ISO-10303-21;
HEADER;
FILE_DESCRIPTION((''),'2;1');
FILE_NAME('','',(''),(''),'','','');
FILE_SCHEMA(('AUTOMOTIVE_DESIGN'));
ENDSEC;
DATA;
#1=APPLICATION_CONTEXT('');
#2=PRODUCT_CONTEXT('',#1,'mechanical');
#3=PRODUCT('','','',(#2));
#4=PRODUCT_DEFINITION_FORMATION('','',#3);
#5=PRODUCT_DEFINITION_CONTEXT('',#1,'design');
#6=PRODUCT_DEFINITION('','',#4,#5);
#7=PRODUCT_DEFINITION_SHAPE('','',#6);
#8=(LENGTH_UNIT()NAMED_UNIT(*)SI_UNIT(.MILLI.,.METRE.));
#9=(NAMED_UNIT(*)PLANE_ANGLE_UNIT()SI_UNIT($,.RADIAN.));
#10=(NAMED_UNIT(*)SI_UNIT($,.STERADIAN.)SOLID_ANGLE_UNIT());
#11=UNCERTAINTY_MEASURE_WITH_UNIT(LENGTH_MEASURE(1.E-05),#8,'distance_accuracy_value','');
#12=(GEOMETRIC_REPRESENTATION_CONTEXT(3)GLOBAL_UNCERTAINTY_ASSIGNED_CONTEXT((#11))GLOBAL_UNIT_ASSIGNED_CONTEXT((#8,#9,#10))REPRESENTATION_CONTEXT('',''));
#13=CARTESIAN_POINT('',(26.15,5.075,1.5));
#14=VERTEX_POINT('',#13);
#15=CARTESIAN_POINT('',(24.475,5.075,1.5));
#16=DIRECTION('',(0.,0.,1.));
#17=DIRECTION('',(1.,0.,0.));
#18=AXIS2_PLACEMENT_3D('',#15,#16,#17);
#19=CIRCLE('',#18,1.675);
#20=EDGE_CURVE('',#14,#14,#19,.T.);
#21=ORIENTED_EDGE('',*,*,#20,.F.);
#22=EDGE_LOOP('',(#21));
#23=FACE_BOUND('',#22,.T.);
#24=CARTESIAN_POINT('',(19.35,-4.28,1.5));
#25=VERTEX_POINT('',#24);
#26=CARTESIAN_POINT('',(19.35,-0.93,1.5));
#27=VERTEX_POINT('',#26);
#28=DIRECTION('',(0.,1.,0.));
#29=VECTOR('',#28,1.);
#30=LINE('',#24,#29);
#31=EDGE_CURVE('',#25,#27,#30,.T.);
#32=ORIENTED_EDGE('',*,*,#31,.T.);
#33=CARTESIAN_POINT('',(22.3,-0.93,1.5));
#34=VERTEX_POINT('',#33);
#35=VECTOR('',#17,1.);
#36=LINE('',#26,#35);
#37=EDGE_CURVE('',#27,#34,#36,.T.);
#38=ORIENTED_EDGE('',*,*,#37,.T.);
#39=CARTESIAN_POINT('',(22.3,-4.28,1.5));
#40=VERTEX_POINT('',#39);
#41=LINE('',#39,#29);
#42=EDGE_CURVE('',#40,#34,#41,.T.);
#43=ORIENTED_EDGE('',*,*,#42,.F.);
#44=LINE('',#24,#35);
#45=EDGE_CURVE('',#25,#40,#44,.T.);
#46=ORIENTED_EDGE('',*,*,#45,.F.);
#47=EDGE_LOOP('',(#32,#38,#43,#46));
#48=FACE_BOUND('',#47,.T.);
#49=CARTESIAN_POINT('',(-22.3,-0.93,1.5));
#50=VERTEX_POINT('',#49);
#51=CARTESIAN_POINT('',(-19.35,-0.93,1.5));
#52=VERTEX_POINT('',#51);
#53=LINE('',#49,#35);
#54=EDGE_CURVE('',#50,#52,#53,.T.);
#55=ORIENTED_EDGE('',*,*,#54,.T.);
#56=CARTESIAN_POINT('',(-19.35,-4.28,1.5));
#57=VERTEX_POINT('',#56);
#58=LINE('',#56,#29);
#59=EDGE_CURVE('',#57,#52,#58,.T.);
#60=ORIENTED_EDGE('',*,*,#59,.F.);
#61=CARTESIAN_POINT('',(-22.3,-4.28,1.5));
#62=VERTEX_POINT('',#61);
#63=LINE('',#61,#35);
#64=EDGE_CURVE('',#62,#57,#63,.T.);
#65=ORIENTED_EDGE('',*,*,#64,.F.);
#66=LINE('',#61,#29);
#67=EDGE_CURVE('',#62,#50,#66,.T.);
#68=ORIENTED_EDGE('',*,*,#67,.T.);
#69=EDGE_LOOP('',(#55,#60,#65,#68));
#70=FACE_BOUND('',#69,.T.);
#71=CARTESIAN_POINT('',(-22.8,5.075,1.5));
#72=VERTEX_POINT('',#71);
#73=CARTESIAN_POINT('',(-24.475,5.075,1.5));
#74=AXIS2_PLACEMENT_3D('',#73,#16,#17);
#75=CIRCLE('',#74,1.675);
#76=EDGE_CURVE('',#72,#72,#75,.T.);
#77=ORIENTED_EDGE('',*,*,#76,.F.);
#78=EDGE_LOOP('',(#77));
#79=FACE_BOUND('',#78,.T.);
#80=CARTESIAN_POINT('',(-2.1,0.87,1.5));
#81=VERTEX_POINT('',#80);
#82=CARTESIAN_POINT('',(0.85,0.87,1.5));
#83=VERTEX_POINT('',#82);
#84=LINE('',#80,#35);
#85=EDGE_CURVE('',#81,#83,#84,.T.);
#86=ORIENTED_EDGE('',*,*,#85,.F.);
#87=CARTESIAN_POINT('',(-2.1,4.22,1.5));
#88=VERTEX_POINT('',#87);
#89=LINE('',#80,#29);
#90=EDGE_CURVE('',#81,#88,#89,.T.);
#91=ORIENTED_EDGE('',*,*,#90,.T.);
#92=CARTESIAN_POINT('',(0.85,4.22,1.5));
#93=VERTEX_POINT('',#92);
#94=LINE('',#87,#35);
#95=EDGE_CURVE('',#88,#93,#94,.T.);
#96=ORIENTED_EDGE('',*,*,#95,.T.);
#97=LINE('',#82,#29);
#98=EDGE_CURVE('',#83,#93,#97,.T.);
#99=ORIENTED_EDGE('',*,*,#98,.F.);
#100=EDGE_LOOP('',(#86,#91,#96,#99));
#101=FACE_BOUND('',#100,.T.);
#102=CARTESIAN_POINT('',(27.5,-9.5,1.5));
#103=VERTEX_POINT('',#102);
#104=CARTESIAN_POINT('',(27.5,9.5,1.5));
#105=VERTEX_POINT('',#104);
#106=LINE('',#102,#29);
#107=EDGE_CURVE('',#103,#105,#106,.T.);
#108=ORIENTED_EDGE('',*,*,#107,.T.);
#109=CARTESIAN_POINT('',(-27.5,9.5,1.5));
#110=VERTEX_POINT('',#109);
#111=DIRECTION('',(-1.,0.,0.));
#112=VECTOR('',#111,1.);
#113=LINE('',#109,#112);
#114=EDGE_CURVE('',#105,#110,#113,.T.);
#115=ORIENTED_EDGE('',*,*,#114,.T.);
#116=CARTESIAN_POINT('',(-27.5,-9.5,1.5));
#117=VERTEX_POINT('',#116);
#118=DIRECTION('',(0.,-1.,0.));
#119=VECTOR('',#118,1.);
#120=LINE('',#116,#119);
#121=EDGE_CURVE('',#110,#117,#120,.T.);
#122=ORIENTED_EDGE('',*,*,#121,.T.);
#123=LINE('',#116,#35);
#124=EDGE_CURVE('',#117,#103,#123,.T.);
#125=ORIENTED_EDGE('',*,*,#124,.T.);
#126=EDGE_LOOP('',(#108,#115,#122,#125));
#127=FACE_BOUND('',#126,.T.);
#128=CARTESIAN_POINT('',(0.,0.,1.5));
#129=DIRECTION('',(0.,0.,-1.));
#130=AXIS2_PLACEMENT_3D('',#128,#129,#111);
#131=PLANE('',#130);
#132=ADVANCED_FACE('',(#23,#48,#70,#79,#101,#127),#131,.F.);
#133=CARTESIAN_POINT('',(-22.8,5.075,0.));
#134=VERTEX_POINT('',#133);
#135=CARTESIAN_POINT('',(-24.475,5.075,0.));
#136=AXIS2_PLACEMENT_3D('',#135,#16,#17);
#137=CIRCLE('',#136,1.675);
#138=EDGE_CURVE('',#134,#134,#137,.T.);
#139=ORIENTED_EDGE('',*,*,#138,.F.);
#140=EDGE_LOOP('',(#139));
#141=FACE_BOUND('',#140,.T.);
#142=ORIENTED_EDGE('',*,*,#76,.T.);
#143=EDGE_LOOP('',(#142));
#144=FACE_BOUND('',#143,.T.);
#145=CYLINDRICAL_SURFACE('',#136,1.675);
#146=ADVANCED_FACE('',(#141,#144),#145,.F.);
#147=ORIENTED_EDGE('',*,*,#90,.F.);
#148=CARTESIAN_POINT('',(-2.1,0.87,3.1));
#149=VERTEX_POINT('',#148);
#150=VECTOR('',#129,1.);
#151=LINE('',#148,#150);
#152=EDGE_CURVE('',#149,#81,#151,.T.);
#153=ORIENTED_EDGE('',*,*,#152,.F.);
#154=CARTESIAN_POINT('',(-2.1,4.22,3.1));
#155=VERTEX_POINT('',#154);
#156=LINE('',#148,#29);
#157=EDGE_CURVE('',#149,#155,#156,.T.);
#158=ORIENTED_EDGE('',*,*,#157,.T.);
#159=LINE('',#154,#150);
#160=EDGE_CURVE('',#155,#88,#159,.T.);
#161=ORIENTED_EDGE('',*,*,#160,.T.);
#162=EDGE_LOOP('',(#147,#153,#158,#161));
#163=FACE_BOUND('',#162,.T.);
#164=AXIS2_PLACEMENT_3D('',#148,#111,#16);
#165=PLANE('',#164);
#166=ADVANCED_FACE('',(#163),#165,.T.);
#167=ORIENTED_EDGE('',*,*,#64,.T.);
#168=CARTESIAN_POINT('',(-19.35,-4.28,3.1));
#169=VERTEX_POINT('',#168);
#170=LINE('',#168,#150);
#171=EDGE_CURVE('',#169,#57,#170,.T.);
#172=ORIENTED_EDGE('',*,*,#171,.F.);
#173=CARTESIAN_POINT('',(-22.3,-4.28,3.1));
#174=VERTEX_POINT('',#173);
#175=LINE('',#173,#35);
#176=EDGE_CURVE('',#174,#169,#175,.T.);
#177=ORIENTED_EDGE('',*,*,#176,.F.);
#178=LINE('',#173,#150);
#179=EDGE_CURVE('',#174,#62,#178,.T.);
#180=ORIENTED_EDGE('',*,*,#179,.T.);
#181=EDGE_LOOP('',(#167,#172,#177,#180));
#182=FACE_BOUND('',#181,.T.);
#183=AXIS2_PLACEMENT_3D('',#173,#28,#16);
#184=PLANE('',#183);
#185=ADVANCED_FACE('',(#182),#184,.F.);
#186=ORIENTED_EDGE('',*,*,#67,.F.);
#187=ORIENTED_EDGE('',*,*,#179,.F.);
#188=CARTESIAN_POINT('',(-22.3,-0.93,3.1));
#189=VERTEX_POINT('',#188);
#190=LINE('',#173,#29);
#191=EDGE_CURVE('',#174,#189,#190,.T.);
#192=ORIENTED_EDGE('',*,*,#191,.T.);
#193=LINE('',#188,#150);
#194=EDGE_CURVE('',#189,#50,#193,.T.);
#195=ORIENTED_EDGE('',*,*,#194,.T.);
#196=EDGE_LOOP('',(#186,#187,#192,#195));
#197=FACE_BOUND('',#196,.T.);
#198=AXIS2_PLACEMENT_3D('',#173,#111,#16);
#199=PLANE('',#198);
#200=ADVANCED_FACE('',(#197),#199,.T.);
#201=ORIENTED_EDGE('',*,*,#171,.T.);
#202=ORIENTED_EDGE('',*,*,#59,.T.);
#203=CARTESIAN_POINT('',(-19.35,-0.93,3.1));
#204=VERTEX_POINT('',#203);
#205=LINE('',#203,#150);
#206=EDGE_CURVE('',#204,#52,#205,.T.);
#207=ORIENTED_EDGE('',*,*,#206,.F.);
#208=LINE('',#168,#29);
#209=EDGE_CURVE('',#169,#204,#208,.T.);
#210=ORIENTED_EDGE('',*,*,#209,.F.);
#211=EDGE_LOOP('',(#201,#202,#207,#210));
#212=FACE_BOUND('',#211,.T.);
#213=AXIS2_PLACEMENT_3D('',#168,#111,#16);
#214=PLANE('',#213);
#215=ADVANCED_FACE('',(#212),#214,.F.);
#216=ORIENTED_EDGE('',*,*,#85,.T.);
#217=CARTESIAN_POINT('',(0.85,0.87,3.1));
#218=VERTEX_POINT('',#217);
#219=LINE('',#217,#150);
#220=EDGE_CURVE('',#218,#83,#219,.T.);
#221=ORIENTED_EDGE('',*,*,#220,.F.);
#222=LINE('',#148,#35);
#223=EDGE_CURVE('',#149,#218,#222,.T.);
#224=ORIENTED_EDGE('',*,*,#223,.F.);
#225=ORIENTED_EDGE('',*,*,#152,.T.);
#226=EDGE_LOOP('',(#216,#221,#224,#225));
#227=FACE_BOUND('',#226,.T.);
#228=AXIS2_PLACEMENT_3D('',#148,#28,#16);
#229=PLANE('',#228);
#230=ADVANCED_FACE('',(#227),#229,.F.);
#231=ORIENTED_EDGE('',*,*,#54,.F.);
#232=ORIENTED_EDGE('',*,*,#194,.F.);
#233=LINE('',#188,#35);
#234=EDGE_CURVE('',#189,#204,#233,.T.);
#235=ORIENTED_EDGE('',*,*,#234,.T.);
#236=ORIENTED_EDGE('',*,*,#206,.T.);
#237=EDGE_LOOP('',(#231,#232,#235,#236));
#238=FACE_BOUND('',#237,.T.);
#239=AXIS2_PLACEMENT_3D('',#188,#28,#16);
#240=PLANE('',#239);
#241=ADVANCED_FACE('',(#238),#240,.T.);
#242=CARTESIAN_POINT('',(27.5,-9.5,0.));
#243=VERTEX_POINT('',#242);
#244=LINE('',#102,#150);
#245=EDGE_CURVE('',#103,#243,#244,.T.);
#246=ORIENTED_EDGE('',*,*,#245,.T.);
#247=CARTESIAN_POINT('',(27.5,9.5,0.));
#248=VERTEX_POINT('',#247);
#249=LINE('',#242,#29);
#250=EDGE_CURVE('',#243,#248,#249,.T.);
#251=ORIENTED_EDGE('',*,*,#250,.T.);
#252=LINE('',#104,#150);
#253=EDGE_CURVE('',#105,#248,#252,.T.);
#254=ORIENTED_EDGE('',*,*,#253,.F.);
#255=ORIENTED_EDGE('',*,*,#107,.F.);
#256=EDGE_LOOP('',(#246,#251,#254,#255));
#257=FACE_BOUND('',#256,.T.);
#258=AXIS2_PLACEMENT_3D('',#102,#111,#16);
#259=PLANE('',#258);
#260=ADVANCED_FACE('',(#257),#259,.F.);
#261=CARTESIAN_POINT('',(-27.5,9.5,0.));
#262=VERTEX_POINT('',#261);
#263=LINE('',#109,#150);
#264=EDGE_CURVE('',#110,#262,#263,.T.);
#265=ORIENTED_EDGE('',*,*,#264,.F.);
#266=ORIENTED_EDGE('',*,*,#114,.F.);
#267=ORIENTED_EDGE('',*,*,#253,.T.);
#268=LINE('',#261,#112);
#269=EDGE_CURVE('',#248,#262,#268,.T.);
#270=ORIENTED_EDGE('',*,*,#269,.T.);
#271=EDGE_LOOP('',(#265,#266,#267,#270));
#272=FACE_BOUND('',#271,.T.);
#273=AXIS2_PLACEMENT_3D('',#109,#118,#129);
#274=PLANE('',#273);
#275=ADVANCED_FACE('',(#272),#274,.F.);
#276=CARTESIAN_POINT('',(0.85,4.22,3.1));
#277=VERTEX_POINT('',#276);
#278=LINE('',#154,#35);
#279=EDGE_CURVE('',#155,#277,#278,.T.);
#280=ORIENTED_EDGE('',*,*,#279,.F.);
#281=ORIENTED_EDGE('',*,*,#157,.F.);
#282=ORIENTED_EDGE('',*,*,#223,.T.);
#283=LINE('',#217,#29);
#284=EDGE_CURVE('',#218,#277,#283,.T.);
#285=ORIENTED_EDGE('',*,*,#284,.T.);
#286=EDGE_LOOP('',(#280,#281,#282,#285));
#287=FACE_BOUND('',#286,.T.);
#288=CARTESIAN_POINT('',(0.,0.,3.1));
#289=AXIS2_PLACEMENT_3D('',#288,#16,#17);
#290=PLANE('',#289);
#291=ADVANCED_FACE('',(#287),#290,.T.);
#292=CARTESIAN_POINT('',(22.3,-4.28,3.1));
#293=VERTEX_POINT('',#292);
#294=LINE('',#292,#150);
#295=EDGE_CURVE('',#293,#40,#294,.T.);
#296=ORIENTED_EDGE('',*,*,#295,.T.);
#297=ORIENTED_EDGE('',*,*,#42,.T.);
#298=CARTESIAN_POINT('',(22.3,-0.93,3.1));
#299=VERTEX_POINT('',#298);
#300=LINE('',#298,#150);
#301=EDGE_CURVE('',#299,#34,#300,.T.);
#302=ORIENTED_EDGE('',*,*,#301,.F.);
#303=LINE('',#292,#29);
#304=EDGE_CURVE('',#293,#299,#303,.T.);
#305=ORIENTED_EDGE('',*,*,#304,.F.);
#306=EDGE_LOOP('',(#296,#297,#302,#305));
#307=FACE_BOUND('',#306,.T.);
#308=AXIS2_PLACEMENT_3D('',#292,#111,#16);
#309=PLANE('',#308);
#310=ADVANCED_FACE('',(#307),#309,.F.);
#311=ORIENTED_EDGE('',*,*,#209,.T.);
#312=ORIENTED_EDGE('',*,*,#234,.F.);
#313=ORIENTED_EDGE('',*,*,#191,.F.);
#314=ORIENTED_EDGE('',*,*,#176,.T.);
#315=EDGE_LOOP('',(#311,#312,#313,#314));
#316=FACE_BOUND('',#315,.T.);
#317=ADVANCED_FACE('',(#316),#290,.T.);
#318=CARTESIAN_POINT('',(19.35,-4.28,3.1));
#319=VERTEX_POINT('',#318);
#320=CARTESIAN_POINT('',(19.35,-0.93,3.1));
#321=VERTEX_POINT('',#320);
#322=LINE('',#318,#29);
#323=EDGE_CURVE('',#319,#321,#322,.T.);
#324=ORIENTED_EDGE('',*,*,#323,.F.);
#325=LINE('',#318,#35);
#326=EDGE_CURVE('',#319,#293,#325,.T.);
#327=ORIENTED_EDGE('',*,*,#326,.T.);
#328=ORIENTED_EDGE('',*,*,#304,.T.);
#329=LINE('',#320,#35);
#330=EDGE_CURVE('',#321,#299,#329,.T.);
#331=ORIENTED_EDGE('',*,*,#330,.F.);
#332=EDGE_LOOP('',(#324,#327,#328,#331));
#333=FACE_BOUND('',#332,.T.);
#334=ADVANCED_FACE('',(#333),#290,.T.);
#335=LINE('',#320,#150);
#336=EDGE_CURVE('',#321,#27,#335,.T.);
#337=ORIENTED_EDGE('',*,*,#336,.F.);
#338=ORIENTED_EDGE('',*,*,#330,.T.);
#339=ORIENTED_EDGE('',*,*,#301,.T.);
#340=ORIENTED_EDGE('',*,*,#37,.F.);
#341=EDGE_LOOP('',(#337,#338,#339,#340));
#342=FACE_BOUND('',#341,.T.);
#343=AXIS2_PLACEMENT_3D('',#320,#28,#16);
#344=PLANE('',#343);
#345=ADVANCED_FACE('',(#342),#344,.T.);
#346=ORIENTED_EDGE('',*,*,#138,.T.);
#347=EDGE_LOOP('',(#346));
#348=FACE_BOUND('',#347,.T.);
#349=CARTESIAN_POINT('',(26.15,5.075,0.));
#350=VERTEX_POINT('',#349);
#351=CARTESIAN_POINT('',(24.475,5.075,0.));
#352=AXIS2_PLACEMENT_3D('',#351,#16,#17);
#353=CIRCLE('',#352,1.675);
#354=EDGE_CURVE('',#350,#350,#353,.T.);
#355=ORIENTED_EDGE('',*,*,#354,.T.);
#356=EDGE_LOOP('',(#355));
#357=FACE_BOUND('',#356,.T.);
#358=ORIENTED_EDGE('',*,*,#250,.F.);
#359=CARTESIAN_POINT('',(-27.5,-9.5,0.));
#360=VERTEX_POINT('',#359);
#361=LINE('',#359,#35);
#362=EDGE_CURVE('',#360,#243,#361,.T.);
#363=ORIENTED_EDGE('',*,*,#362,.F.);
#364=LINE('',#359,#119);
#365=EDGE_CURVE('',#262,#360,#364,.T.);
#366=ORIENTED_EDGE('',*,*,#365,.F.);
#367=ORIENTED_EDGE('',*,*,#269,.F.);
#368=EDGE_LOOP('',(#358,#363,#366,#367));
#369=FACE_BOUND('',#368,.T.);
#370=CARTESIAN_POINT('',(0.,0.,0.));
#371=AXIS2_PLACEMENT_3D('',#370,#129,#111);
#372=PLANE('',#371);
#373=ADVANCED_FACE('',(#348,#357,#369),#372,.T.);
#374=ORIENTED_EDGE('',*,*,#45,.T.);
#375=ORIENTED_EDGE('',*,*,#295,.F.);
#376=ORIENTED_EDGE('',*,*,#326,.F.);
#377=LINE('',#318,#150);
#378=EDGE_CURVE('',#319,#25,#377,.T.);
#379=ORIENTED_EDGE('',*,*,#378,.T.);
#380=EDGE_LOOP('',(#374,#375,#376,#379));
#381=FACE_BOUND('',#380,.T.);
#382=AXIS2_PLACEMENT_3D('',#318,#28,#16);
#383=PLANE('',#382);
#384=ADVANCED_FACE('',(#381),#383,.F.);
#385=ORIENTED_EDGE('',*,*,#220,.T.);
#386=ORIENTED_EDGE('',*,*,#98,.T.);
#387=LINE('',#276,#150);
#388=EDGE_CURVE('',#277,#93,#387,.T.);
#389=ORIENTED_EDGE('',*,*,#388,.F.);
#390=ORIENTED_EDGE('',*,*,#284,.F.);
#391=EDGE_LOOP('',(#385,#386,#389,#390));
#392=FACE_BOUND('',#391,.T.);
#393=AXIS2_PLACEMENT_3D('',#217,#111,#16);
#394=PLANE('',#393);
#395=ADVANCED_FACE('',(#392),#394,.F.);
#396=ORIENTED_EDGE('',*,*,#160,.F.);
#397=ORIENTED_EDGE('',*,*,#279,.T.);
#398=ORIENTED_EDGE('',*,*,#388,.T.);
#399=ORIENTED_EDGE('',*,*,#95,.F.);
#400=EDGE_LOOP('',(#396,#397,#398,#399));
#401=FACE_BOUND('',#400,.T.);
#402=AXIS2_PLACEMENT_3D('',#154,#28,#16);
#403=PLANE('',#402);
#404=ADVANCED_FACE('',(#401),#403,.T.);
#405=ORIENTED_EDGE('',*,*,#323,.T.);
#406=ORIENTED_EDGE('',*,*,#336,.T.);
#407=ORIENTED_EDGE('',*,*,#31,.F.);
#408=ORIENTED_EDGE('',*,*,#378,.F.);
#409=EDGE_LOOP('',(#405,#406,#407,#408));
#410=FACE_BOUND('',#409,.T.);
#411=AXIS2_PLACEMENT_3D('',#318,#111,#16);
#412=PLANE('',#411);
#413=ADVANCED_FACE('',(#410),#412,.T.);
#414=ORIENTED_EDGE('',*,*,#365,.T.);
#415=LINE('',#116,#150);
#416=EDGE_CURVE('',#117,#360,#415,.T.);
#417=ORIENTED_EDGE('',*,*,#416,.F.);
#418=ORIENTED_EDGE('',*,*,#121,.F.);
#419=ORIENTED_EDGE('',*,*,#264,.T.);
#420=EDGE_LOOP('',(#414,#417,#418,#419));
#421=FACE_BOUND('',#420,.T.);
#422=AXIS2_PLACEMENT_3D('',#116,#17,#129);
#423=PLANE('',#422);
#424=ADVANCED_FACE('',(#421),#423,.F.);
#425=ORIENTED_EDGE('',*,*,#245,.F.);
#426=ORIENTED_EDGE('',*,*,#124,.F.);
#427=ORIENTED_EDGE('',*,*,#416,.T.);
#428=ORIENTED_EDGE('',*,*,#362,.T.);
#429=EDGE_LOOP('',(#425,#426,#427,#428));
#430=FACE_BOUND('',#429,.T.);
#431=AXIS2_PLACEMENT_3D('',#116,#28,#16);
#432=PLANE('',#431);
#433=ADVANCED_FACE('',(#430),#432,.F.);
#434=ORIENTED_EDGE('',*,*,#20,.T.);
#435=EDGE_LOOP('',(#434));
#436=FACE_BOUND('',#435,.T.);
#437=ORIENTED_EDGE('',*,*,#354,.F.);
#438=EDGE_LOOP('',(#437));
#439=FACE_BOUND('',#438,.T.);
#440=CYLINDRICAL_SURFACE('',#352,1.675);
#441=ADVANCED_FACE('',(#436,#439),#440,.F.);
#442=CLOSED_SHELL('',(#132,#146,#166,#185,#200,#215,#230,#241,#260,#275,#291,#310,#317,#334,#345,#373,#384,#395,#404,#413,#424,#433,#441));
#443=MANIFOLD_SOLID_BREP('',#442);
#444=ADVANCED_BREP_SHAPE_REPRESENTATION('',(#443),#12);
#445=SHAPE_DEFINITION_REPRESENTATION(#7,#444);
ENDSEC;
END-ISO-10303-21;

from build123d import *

# Parameters (mm, degrees)
SKETCH1_W           = 55
SKETCH1_H           = 19
BOSS_EXTRUDE1_DEPTH = 1.5
SKETCH2_R           = 1.675
CUT_EXTRUDE1_DEPTH  = 1.5
SKETCH3_W           = 2.95
SKETCH3_H           = 3.35
BOSS_EXTRUDE2_DEPTH = 1.6


with BuildPart() as part:
    # Sketch1 → Boss-Extrude1 (new body)
    with BuildSketch(Plane.XY):
        Rectangle(SKETCH1_W, SKETCH1_H)
    extrude(amount=BOSS_EXTRUDE1_DEPTH)

    # Sketch2 → Cut-Extrude1 (cut)
    with BuildSketch(Plane.XY.offset(1.5)):
        with Locations((-24.475, 5.075)):
            Circle(SKETCH2_R)
        with Locations((24.475, 5.075)):
            Circle(SKETCH2_R)
    extrude(amount=-CUT_EXTRUDE1_DEPTH, mode=Mode.SUBTRACT)

    # Sketch3 → Boss-Extrude2 (add)
    with BuildSketch(Plane.XY.offset(1.5)):
        with Locations((-0.625, 2.545)):
            Rectangle(SKETCH3_W, SKETCH3_H)
        with Locations((20.825, -2.605)):
            Rectangle(SKETCH3_W, SKETCH3_H)
        with Locations((-20.825, -2.605)):
            Rectangle(SKETCH3_W, SKETCH3_H)
    extrude(amount=BOSS_EXTRUDE2_DEPTH)


solid = part.part
